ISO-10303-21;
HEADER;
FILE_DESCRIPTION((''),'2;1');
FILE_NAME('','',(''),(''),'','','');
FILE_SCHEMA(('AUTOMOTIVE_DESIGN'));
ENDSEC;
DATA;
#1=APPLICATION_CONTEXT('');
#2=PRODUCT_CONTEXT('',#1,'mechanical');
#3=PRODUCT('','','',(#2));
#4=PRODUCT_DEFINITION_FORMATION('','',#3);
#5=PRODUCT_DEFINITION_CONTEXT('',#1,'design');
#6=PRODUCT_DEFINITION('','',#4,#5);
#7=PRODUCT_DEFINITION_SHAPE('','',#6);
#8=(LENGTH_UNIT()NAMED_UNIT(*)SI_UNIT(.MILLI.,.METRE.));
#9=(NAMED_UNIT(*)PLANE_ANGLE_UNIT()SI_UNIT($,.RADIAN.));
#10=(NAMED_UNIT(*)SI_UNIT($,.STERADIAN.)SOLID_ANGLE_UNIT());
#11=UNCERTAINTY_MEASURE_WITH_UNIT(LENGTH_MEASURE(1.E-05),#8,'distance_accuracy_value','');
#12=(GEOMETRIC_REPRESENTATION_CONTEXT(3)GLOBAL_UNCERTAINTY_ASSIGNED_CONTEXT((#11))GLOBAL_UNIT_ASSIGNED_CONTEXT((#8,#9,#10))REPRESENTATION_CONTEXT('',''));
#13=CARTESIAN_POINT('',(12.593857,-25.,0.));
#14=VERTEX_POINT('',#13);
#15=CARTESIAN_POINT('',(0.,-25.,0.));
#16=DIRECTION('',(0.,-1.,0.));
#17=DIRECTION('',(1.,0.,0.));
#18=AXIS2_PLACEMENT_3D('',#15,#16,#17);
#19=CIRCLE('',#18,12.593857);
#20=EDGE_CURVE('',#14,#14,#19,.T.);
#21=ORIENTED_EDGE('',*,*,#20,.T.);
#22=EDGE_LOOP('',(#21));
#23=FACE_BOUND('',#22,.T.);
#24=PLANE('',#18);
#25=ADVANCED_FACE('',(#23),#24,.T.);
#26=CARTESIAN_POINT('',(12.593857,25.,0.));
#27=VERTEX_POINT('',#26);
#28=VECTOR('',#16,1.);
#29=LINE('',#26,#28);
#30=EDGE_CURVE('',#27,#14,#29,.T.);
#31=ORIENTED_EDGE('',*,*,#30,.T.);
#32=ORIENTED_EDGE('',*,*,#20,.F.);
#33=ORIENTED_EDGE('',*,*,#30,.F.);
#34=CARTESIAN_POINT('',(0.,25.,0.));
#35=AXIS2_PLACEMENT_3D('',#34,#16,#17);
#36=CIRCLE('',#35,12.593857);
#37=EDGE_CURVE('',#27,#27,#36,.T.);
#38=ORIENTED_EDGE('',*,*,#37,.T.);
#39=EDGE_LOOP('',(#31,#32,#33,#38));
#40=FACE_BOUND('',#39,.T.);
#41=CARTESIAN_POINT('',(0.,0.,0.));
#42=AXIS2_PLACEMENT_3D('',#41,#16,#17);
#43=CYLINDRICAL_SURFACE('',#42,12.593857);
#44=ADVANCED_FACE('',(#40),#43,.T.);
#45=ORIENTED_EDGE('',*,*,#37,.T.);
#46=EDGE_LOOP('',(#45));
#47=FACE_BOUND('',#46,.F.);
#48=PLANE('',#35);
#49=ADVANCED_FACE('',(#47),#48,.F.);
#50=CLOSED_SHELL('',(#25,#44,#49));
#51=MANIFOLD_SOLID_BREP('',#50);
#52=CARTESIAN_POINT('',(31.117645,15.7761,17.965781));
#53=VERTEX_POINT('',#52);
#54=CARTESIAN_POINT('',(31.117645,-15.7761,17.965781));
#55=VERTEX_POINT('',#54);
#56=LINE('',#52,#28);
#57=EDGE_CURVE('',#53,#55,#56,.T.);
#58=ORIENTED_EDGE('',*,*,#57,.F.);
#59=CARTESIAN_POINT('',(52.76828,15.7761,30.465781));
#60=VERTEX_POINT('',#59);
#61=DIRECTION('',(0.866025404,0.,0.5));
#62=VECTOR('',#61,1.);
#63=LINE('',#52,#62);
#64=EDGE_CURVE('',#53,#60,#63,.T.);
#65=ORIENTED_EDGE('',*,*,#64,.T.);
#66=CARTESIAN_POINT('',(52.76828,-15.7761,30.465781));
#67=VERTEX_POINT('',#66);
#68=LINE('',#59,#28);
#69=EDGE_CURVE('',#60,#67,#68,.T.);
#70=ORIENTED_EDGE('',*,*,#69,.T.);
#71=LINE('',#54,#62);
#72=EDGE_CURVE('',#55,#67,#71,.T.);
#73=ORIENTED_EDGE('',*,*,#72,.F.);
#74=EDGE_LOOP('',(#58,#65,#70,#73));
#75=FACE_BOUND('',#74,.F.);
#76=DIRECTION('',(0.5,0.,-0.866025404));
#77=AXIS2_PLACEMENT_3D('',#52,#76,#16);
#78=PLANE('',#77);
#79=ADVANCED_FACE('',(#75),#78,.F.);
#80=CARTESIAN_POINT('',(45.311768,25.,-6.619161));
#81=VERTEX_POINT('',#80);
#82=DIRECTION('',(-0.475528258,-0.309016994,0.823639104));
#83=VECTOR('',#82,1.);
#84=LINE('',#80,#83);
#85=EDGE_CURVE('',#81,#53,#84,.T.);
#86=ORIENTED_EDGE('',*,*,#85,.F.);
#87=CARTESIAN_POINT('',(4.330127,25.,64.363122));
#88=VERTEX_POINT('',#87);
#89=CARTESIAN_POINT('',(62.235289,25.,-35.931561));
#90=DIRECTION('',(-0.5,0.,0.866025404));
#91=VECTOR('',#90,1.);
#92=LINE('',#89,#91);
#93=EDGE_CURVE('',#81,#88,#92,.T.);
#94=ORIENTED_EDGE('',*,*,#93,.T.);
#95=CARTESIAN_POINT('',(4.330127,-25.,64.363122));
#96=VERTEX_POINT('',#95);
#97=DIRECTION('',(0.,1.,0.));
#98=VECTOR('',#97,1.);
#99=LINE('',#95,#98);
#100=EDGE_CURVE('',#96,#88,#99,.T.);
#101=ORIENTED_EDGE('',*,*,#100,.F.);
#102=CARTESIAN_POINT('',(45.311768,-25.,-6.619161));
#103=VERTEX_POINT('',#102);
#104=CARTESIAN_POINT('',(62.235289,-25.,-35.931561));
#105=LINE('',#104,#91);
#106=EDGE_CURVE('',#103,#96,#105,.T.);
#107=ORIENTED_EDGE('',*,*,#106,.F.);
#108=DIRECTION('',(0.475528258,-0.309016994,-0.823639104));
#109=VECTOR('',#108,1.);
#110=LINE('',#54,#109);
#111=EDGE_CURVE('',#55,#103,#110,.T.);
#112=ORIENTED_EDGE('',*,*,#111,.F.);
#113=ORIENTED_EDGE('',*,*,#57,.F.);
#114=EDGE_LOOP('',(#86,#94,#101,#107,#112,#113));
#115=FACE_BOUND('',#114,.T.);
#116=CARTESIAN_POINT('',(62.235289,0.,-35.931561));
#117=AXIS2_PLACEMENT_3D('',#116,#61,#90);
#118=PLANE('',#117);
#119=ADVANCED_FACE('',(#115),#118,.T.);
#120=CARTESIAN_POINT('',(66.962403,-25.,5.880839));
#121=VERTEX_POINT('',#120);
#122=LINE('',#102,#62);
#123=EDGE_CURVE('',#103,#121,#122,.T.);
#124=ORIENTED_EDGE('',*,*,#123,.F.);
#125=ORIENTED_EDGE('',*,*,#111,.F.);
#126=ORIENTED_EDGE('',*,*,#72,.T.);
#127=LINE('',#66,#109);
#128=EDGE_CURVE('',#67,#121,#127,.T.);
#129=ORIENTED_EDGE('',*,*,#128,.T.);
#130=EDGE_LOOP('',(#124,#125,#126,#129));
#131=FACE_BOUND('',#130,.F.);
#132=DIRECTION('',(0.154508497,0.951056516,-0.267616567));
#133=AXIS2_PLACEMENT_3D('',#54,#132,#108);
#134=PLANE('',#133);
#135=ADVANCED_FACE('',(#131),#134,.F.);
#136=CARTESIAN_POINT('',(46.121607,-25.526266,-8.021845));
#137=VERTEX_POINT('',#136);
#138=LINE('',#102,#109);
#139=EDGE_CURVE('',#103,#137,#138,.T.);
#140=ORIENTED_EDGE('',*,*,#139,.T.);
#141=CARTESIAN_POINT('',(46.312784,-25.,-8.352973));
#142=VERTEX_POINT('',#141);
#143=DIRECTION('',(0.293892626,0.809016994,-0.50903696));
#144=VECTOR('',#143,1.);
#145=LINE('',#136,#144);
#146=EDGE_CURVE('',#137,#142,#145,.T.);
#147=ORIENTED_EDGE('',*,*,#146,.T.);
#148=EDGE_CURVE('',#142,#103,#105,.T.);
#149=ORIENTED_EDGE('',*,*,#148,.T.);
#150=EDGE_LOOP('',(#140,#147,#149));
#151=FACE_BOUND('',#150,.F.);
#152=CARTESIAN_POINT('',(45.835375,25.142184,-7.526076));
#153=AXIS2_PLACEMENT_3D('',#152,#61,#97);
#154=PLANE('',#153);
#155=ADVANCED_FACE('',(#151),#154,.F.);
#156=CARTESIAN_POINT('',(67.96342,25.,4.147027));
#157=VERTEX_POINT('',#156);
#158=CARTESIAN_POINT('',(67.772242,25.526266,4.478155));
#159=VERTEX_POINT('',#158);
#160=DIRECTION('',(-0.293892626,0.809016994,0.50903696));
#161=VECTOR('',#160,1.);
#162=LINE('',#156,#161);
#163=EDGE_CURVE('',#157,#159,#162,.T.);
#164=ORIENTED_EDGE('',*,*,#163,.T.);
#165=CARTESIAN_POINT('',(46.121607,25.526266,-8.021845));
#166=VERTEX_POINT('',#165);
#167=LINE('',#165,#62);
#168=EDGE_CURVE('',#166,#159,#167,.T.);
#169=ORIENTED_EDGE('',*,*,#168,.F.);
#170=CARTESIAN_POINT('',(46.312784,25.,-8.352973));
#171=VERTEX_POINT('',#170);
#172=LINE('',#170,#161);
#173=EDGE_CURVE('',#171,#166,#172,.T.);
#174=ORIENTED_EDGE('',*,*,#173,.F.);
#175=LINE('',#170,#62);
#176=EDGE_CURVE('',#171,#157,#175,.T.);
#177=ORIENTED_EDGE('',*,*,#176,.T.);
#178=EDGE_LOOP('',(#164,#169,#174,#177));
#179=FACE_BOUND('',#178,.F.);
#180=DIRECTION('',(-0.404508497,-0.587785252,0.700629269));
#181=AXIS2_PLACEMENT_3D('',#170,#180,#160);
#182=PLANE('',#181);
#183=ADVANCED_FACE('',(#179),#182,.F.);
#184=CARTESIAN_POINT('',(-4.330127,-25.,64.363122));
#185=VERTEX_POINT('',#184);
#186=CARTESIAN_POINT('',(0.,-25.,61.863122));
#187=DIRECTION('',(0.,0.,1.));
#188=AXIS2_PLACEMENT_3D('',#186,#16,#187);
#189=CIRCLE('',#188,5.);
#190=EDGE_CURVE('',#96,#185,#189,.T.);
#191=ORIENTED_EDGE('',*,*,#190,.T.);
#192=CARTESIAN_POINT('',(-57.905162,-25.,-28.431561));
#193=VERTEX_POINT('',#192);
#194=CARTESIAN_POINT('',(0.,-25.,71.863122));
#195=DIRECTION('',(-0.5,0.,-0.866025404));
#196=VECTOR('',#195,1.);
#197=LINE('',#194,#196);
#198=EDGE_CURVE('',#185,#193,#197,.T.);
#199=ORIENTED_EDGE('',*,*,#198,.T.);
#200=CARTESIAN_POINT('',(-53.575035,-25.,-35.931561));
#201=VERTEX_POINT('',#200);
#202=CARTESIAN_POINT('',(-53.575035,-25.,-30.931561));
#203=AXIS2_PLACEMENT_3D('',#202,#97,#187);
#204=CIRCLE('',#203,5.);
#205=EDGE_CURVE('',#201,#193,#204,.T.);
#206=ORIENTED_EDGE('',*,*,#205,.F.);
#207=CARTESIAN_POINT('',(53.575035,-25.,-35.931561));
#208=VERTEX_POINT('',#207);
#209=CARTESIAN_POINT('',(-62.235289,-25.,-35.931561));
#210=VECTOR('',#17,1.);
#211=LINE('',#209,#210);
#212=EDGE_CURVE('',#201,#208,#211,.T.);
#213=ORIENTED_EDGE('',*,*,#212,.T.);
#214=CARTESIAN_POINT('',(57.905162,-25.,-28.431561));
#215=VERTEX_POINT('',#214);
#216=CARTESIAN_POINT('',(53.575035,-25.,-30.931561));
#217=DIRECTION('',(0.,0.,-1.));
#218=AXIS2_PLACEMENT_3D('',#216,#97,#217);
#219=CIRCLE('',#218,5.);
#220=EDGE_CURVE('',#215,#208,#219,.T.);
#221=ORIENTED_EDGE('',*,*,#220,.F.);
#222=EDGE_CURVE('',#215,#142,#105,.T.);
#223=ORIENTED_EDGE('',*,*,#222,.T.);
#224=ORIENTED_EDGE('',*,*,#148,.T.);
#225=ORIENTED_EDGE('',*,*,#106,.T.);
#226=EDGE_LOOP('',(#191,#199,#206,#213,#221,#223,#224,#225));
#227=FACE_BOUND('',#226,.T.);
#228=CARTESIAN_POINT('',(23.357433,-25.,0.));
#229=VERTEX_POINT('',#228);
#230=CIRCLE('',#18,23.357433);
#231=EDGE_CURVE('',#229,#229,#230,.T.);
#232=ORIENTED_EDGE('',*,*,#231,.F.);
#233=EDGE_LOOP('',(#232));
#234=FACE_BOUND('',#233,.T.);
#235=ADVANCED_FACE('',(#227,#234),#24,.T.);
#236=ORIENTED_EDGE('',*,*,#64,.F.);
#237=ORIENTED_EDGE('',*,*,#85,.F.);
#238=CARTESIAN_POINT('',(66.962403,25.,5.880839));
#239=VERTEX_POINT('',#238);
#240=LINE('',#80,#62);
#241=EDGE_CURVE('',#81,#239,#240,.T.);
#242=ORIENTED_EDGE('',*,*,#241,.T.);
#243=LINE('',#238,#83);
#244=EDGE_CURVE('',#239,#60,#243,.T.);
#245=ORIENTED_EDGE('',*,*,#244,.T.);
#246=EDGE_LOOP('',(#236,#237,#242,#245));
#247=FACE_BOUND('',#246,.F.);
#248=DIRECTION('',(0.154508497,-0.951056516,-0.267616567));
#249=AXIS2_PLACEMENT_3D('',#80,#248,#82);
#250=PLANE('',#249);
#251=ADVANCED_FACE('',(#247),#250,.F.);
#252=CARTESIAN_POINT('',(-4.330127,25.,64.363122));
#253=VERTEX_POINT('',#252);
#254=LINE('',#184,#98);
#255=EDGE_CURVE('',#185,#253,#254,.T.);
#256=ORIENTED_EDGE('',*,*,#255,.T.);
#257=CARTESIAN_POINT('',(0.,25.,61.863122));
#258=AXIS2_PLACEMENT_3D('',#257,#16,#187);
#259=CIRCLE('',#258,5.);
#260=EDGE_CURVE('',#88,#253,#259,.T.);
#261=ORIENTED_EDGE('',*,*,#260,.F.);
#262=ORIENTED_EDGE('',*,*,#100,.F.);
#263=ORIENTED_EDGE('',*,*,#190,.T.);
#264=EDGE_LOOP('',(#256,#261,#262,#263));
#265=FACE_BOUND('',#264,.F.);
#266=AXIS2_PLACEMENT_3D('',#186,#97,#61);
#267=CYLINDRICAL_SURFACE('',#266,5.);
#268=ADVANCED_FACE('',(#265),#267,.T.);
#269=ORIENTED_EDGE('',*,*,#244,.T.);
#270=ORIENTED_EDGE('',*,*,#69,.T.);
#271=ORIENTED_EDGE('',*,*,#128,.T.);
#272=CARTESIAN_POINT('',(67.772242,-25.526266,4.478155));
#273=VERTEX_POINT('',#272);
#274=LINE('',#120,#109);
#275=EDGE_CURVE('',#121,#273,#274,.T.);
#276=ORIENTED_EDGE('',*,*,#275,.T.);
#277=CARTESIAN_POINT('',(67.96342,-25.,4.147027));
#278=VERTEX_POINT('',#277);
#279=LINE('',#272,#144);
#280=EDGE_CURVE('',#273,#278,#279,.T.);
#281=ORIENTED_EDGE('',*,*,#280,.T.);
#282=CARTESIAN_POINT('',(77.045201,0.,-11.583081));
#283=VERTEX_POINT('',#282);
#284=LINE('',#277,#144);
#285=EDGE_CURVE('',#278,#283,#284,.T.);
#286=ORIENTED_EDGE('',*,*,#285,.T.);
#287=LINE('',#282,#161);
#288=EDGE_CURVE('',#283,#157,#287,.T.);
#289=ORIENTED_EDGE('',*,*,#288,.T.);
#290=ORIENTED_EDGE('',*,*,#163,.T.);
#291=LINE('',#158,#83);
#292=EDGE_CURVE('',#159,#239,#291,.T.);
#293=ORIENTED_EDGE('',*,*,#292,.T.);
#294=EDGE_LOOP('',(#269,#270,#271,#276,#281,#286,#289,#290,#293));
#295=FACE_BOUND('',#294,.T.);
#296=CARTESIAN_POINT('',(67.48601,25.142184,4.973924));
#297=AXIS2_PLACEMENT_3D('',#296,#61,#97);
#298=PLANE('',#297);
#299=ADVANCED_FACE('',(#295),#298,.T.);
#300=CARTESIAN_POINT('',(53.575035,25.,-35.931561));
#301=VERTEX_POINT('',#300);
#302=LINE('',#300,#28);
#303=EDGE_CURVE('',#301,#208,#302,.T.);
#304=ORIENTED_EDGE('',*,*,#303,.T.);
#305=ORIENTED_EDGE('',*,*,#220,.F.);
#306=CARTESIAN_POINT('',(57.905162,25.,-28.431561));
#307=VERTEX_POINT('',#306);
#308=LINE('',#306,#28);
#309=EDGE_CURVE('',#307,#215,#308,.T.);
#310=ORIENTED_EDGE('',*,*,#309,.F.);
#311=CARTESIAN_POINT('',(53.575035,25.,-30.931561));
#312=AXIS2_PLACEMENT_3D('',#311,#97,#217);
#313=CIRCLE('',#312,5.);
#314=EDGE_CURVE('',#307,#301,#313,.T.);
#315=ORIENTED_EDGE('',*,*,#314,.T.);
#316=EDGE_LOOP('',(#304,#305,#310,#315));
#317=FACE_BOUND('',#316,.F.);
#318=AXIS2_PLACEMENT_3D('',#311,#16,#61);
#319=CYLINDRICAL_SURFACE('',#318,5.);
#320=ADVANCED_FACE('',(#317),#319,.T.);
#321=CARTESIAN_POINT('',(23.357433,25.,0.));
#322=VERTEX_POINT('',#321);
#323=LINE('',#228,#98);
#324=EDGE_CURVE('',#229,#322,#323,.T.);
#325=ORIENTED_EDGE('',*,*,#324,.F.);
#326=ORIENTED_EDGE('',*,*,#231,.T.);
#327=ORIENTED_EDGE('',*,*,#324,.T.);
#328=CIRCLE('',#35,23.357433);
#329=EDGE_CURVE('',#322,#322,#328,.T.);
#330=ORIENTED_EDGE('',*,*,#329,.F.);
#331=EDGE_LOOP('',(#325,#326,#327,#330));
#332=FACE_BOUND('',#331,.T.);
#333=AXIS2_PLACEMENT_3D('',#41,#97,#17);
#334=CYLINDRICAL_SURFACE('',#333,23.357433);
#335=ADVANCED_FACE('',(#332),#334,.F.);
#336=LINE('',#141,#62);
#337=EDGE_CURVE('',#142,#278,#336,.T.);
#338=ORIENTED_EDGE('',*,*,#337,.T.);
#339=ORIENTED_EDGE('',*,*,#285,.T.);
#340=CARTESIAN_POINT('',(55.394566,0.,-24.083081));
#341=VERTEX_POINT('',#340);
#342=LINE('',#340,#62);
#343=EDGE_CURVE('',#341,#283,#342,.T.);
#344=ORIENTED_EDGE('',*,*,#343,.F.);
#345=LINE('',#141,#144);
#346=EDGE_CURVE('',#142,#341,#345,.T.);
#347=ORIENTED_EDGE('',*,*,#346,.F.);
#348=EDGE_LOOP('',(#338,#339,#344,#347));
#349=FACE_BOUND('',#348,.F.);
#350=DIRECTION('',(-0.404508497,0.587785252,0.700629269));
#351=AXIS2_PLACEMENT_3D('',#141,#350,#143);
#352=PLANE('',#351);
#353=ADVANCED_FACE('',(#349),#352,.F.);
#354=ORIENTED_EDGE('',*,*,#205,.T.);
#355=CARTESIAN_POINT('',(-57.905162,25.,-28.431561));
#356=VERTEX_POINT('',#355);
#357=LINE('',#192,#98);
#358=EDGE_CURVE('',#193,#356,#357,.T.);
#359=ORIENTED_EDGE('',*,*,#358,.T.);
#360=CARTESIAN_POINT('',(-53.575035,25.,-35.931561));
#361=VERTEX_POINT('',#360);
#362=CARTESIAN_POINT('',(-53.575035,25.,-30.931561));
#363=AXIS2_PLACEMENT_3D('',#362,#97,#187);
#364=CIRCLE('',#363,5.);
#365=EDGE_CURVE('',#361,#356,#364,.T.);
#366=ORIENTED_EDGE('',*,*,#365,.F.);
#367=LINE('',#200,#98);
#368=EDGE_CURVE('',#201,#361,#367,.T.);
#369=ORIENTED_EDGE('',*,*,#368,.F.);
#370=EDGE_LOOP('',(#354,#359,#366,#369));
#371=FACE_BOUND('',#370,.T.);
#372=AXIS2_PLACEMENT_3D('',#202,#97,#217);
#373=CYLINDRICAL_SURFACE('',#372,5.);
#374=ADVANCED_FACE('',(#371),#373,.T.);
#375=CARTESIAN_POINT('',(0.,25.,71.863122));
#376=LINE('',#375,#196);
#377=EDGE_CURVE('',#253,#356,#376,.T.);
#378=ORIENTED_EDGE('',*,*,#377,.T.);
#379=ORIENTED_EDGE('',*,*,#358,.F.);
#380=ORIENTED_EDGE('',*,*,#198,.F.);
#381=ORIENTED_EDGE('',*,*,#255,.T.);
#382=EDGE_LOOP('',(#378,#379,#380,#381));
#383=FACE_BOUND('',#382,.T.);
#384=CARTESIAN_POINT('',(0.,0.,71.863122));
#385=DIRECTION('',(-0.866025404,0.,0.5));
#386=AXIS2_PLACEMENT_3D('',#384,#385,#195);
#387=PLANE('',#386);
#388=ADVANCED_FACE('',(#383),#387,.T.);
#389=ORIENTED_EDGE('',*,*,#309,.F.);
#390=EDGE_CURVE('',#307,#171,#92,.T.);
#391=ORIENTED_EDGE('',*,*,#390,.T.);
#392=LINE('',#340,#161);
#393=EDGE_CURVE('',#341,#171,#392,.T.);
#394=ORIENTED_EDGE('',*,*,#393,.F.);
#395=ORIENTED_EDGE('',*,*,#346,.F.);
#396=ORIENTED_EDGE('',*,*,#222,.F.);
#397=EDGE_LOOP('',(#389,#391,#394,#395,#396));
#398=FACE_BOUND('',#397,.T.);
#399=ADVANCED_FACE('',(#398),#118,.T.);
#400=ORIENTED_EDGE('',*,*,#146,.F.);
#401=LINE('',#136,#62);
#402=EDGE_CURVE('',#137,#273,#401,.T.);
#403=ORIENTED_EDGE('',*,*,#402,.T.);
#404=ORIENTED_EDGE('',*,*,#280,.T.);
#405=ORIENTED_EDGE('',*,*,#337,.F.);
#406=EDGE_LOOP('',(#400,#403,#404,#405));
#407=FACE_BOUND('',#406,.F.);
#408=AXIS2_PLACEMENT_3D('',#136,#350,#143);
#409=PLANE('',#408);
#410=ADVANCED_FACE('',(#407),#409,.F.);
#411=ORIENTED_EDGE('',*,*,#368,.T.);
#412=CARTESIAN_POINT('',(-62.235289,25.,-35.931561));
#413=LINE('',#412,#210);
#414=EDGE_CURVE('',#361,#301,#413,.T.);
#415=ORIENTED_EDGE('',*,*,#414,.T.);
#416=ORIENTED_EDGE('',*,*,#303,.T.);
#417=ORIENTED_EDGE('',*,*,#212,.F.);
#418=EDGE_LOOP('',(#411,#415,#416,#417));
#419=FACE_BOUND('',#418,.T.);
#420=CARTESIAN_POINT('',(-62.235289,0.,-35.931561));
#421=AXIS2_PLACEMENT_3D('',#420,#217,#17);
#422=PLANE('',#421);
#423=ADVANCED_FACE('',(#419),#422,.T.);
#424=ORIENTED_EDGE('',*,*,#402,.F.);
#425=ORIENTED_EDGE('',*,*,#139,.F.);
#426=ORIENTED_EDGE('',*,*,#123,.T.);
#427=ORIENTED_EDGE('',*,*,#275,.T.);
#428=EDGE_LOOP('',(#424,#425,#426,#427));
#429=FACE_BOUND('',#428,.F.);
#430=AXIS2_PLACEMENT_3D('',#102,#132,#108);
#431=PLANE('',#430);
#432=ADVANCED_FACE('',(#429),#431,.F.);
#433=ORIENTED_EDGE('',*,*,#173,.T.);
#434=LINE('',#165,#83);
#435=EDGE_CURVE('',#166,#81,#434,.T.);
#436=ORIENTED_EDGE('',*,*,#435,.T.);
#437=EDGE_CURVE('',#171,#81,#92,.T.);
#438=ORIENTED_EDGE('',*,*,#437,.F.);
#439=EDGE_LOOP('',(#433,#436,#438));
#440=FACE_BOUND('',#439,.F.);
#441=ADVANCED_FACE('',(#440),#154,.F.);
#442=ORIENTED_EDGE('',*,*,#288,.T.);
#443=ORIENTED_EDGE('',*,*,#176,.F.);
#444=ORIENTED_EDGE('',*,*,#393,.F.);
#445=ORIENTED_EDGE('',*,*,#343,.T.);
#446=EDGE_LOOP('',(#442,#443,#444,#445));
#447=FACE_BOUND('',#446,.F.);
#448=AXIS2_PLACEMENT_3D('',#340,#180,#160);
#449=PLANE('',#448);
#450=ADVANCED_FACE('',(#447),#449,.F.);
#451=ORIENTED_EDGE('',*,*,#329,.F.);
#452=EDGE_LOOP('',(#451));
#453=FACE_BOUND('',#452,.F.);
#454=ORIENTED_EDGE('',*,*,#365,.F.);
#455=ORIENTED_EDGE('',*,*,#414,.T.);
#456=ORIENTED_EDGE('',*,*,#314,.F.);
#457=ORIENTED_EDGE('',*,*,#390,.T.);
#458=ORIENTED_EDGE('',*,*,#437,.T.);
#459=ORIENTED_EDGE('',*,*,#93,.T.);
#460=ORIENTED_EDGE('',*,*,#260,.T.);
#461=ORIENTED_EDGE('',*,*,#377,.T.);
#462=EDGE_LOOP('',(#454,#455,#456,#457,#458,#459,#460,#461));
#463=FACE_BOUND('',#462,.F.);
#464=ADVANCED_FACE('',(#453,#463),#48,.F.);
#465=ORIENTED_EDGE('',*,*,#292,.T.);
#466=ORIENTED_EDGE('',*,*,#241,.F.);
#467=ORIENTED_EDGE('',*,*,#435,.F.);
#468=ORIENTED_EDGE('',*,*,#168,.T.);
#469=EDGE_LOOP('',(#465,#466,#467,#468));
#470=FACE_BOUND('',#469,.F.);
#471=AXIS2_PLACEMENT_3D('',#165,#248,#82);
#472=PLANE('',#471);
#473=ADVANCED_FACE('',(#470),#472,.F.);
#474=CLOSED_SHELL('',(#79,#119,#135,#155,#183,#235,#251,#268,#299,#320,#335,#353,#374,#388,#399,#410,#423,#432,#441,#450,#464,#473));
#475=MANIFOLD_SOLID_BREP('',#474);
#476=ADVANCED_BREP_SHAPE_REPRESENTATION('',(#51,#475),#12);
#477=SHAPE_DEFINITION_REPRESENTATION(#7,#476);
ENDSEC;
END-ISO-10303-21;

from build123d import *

# Parameters (mm, degrees)
F0_R          = 23.3574333424
F1_DEPTH      = 25
F1_DEPTH_BACK = 25
F0_R_2        = 12.5938573021
F3_DEPTH      = 25
F4_R          = 5
F5_R          = 5
F6_R          = 5


with BuildPart() as f1:
    # F0 (on Front) → F1 (new body, two sides)
    with BuildSketch(Plane.XZ) as f1_sk:
        Polygon((-62.2352894936, -35.9315611422), (62.2352894936, -35.9315611422), (0, 71.8631222844), align=None)
        Circle(F0_R, mode=Mode.SUBTRACT)
    extrude(amount=F1_DEPTH)
    extrude(f1_sk.sketch, amount=-F1_DEPTH_BACK)

    # F2 (on face) → F3 (join)
    with BuildSketch(Plane(origin=(31.1176447468, 0, 17.9657805711), x_dir=(0, 1, 0), z_dir=(0.8660254038, 0, 0.5))):
        Polygon((25.5262657143, -30.0079250659), (25, -28.3882457409), (25, -30.3902794884), align=None)
        Polygon((-25, -30.3902794884), (-25, -28.3882457409), (-25.5262657143, -30.0079250659), align=None)
        Polygon((15.7760998173, 0), (-15.7760998173, 0), (-25, -28.3882457409), (-25, -30.3902794884), (0, -48.5538426885), (25, -30.3902794884), (25, -28.3882457409), align=None)
    extrude(amount=F3_DEPTH)

    # F4
    f4_edges = [f1.edges().sort_by_distance(p)[0] for p in [
        (0, 0, 71.863122),
    ]]
    fillet(f4_edges, radius=F4_R)

    # F5
    f5_edges = [f1.edges().sort_by_distance(p)[0] for p in [
        (62.235289, 0, -35.931561),
    ]]
    fillet(f5_edges, radius=F5_R)

    # F6
    f6_edges = [f1.edges().sort_by_distance(p)[0] for p in [
        (-62.235289, 0, -35.931561),
    ]]
    fillet(f6_edges, radius=F6_R)


with BuildPart() as f1b:
    # F0 (on Front) → F1, piece 2 (new body, two sides)
    with BuildSketch(Plane.XZ) as f1_2_sk:
        Circle(F0_R_2)
    extrude(amount=F1_DEPTH)
    extrude(f1_2_sk.sketch, amount=-F1_DEPTH_BACK)


solid = Compound([f1.part, f1b.part])
